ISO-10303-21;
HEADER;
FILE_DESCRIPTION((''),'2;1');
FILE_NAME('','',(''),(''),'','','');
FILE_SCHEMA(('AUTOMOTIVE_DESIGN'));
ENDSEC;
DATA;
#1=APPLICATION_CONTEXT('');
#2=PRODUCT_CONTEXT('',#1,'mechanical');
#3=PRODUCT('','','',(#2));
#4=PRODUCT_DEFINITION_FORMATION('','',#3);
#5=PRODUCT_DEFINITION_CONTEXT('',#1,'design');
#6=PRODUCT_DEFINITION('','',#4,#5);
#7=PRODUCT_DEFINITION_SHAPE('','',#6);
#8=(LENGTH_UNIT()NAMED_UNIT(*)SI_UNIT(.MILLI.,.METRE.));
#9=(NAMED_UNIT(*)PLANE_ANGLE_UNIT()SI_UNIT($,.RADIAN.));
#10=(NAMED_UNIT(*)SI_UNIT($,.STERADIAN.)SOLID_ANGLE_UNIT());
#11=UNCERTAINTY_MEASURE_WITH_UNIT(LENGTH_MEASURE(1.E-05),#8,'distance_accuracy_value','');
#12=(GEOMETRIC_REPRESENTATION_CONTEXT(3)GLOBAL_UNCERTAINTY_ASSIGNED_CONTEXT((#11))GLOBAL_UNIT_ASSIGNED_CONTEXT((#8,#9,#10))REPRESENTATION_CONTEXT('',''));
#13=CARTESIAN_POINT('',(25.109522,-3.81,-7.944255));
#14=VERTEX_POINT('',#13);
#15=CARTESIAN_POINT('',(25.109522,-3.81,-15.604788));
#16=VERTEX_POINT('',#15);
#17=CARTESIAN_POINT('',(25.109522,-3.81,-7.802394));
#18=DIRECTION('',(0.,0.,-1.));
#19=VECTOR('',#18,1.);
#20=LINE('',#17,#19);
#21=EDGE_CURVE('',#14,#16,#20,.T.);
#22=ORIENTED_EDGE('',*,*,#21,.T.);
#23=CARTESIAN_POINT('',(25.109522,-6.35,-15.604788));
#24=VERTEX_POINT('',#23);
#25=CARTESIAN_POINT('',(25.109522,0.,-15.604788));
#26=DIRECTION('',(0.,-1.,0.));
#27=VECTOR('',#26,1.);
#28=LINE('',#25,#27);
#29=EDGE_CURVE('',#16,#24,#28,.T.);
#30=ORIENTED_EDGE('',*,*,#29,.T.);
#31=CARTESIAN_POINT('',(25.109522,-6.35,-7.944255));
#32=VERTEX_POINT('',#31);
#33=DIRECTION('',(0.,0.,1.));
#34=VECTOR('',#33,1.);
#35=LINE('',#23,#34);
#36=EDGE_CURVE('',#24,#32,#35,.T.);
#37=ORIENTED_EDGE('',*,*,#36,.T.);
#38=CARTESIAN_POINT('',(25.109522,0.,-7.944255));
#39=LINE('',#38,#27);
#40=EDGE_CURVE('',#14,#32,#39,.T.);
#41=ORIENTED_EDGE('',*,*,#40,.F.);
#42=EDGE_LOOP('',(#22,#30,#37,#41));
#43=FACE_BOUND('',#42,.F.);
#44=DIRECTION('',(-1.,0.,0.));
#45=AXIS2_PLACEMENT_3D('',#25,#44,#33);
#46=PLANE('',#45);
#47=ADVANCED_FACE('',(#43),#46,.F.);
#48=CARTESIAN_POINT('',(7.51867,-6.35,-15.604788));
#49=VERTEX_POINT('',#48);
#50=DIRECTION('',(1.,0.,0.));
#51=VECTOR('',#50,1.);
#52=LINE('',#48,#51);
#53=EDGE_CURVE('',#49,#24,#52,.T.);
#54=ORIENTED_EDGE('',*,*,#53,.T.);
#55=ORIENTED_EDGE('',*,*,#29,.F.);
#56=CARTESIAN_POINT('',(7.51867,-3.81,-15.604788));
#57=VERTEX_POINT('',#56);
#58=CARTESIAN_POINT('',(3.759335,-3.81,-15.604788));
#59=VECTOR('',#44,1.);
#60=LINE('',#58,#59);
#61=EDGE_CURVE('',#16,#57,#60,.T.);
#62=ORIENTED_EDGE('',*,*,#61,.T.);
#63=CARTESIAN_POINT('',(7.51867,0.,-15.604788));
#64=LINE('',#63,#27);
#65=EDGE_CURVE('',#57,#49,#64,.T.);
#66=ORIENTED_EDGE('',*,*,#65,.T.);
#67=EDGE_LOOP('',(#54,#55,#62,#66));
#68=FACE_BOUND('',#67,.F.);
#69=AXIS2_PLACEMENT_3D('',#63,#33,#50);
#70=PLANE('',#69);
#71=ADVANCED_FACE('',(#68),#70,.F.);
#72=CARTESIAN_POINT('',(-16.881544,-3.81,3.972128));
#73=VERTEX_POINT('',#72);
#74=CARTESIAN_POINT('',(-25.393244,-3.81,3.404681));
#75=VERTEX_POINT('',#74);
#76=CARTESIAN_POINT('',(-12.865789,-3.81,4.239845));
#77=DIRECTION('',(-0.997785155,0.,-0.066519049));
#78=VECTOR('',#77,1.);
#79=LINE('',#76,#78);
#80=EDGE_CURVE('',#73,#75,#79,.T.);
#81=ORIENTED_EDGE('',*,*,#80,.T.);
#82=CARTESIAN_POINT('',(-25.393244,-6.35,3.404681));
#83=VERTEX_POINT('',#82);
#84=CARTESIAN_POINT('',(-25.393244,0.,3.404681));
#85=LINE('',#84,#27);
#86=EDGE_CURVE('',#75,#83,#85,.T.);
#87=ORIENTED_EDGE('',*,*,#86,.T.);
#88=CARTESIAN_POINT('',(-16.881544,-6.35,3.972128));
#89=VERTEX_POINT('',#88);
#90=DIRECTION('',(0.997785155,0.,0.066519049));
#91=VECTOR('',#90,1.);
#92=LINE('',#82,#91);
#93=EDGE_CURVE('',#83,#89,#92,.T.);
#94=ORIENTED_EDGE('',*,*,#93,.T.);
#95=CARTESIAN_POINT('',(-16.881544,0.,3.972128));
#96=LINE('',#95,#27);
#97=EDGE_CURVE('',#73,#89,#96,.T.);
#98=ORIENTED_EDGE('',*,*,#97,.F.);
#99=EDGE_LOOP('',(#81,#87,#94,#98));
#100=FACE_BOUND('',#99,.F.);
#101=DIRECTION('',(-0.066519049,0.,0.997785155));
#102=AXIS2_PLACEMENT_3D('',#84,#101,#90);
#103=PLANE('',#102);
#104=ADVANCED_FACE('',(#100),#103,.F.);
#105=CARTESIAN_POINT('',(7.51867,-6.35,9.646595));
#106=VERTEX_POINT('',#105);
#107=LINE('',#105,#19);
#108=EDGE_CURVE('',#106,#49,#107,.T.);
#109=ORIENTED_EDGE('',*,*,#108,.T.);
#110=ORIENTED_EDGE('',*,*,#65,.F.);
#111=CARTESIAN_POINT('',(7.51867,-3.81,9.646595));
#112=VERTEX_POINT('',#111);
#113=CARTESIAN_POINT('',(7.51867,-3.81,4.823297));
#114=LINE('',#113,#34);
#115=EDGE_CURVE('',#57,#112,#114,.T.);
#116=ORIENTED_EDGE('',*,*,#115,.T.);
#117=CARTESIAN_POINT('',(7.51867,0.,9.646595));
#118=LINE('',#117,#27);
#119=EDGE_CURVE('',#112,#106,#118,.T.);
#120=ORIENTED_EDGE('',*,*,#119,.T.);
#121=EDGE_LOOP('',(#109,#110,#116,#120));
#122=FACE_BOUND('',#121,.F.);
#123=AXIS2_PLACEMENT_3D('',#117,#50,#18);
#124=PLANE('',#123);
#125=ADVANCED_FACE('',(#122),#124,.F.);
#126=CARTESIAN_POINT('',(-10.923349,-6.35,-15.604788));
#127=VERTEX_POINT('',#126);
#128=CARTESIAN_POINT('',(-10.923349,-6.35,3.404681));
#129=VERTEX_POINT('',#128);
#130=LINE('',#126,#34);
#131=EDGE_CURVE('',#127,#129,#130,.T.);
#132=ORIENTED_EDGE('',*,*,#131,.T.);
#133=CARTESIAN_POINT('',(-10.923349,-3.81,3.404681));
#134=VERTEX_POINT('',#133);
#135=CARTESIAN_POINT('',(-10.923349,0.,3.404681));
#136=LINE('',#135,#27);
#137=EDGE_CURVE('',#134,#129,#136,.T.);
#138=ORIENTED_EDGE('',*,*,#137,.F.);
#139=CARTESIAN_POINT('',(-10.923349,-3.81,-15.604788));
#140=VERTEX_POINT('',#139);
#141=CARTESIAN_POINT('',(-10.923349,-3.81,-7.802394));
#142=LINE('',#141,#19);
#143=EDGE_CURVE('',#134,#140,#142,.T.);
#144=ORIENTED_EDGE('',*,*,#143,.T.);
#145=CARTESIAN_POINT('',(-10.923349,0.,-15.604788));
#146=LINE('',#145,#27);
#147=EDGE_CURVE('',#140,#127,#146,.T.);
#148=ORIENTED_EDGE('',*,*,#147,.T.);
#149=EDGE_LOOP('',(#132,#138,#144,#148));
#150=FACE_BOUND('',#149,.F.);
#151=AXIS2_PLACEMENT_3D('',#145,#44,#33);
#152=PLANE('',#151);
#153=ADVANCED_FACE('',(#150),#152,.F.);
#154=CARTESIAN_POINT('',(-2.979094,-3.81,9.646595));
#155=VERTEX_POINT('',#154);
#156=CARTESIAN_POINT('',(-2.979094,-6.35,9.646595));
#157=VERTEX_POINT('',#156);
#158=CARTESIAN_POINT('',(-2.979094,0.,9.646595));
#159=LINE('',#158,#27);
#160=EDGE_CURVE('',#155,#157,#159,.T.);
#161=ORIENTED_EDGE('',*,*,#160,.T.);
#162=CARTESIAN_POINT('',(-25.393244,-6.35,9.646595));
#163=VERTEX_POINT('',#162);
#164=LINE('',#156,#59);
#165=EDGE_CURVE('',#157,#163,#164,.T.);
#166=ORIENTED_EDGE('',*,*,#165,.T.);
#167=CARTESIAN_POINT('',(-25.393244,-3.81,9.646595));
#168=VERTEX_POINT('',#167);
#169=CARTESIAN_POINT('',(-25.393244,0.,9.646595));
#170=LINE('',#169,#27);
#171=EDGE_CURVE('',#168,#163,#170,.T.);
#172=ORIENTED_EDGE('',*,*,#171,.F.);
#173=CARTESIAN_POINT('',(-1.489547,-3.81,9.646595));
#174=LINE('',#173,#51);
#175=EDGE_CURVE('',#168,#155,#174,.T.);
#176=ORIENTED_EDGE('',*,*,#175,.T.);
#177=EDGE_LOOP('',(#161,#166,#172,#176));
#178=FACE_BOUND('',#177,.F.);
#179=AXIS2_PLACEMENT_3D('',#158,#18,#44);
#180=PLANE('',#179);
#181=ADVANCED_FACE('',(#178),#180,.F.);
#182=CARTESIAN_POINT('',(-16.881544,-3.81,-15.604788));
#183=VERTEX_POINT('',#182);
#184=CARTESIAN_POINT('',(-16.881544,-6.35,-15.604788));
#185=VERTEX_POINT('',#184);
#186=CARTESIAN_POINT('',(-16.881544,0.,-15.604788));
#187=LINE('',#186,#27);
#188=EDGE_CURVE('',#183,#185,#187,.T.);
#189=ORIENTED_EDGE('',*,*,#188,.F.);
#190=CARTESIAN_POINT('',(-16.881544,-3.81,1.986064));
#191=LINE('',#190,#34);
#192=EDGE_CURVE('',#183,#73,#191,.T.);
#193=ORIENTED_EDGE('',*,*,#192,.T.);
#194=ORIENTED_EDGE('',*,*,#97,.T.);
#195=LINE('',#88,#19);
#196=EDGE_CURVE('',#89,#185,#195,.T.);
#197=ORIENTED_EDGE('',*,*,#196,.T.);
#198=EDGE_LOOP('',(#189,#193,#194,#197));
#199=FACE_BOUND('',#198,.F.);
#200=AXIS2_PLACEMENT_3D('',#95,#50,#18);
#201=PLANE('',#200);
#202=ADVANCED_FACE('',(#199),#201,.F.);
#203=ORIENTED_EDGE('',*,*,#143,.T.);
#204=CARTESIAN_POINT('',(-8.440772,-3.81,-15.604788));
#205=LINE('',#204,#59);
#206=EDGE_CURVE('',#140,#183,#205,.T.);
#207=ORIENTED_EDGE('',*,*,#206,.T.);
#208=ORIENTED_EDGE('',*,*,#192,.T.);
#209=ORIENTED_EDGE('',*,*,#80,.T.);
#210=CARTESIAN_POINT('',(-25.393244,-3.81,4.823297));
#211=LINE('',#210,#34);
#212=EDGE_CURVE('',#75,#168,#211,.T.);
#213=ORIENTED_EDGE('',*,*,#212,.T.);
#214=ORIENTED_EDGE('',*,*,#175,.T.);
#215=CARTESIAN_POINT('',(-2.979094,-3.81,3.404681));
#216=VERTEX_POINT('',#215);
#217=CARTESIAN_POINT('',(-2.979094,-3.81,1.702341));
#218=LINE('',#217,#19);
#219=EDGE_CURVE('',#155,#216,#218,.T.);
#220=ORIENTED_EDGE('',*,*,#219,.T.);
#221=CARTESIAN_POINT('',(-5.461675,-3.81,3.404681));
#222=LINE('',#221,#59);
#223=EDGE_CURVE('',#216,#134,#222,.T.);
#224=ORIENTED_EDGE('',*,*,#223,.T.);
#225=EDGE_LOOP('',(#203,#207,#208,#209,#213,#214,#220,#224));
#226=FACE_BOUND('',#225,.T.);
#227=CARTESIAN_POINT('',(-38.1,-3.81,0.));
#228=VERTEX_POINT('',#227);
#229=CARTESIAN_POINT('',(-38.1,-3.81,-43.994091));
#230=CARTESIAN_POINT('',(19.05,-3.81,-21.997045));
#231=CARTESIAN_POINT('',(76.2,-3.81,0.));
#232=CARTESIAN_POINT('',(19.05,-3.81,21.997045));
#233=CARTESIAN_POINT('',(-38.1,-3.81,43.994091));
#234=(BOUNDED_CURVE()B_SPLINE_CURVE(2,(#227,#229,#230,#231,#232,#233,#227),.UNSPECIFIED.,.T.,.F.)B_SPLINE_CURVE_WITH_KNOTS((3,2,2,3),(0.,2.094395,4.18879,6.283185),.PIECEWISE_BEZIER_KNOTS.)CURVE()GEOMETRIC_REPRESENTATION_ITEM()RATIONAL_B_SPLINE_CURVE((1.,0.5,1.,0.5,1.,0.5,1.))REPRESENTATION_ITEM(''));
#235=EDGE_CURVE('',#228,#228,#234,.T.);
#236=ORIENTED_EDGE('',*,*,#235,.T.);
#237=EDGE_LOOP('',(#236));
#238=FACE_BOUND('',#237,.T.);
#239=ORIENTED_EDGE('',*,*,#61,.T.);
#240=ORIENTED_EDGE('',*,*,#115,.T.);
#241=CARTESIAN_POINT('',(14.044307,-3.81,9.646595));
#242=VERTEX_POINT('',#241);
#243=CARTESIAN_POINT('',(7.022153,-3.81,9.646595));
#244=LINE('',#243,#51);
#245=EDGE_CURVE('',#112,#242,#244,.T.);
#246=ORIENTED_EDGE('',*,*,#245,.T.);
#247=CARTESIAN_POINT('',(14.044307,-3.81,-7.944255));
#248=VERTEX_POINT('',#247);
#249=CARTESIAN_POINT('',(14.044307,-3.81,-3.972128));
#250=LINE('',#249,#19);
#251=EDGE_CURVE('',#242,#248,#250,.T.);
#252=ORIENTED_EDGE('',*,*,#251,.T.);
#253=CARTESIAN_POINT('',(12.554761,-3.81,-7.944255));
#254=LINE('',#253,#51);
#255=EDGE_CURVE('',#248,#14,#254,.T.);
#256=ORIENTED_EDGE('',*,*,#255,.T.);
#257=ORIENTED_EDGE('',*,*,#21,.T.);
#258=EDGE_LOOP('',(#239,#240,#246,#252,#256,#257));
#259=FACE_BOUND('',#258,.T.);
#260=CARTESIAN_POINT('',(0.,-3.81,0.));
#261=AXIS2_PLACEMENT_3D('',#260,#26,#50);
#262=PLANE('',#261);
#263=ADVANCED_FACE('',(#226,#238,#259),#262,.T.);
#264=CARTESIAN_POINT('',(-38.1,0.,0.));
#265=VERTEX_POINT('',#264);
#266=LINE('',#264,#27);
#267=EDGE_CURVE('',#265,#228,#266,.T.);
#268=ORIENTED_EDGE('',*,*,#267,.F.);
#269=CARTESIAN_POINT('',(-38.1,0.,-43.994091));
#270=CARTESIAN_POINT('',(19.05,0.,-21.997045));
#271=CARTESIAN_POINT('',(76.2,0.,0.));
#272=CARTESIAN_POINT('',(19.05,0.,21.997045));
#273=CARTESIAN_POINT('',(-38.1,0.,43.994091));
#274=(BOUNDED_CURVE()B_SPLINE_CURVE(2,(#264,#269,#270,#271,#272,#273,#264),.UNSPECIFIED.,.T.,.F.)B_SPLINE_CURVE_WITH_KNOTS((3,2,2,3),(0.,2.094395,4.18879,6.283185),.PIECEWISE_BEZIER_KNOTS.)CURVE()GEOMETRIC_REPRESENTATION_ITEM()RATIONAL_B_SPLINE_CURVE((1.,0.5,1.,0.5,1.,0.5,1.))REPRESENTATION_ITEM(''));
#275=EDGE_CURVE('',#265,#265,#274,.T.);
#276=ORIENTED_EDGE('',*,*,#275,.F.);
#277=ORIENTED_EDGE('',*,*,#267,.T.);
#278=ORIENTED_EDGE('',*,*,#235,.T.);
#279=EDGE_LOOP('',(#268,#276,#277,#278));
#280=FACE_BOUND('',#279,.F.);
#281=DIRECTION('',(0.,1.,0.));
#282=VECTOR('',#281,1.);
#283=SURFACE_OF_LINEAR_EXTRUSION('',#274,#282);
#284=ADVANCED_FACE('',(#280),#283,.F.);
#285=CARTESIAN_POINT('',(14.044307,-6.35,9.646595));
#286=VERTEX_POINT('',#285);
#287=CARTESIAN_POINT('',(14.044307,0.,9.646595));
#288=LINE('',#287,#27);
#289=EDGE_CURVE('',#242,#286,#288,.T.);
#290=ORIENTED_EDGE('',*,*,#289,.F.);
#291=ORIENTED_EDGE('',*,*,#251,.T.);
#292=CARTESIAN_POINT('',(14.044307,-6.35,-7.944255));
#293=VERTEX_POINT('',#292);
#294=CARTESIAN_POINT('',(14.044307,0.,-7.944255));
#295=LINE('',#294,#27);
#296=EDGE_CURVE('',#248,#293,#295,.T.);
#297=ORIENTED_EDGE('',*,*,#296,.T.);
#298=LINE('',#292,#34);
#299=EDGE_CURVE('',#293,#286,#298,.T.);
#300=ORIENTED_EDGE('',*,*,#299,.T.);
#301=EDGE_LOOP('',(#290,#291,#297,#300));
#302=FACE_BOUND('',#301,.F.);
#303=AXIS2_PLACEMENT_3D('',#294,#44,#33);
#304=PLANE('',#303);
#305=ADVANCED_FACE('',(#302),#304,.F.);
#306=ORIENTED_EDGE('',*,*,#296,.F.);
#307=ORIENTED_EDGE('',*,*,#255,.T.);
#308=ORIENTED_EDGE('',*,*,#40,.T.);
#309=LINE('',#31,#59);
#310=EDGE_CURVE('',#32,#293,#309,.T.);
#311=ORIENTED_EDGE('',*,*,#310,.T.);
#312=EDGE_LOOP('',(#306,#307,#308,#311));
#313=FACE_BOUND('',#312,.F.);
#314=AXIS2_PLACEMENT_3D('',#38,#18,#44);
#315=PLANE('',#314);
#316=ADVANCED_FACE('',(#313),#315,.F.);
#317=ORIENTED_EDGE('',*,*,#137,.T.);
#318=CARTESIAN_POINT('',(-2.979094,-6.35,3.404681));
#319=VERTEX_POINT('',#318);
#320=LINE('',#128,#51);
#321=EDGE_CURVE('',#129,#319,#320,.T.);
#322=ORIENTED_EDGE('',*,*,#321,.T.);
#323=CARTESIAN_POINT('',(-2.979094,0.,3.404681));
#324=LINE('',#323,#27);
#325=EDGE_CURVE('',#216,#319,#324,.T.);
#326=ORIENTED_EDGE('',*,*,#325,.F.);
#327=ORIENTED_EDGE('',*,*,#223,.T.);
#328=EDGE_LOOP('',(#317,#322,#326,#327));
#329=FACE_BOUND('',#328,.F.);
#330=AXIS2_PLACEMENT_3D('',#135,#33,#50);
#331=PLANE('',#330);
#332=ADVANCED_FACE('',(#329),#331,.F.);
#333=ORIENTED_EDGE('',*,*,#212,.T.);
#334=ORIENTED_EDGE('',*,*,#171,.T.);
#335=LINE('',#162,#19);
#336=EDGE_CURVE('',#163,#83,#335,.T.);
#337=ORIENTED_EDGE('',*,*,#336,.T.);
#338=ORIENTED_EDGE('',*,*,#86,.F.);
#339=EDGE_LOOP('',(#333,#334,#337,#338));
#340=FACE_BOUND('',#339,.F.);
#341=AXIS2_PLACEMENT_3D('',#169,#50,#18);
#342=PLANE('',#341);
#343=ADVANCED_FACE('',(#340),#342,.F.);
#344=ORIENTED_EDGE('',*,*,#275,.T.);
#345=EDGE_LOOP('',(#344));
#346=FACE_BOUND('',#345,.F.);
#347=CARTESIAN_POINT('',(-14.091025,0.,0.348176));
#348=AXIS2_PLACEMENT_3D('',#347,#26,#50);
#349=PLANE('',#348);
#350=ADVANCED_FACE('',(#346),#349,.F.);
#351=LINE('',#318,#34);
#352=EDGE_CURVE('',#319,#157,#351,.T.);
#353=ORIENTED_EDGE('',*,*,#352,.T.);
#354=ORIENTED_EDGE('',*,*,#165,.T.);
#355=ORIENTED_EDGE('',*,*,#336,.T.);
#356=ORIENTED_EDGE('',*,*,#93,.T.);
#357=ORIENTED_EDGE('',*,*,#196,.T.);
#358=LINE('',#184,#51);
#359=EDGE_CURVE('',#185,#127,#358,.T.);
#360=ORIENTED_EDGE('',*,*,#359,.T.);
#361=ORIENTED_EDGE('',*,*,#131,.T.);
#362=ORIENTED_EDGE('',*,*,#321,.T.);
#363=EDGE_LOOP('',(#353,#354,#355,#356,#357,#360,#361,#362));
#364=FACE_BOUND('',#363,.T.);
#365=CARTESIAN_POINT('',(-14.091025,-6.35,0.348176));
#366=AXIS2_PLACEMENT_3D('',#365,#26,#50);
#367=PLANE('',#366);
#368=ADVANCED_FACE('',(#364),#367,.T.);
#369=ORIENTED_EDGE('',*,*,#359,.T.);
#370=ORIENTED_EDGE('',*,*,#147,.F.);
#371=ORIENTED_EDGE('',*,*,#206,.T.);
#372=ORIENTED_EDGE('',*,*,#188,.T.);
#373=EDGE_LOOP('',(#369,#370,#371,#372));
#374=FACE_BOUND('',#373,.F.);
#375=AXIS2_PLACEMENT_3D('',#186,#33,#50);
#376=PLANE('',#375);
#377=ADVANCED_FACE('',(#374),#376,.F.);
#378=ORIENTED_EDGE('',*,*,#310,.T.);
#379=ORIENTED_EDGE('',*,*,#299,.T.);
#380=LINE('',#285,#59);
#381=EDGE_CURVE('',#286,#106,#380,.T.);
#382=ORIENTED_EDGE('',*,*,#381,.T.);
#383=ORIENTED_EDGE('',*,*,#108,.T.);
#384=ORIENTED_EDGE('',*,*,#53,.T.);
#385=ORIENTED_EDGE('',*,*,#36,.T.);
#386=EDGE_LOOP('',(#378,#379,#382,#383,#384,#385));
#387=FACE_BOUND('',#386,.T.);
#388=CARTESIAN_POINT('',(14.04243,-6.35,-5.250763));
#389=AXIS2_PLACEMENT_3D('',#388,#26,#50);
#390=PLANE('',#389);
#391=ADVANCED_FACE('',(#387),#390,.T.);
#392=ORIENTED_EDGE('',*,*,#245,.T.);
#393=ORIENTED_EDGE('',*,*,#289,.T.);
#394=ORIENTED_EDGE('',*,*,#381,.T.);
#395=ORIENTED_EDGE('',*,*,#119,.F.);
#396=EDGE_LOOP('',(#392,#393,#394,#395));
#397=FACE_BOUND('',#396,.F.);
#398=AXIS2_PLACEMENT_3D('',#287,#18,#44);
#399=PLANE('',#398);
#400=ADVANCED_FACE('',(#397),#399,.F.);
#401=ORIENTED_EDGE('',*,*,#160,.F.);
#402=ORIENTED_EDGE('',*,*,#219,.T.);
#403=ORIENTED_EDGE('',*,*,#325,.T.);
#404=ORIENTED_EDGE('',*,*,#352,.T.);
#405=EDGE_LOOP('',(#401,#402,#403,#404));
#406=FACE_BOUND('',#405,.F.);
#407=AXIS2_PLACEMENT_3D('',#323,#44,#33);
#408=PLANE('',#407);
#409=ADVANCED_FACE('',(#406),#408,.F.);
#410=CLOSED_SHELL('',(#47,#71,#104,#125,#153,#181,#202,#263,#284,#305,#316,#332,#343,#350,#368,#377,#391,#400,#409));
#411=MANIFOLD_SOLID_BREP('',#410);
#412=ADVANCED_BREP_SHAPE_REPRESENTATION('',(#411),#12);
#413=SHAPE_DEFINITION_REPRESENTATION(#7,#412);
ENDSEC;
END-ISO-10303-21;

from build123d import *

# Parameters (mm, degrees)
F1_DEPTH = 3.81
F3_DEPTH = 6.35


with BuildPart() as f1:
    # F0 (on Front) → F1 (new body)
    with BuildSketch(Plane.XZ):
        with BuildLine():
            add(Edge.make_bspline(
                [(-38.1, 0), (-38.1, -43.994091), (19.05, -21.997045), (76.2, 0), (19.05, 21.997045), (-38.1, 43.994091), (-38.1, 0)],
                knots=[0, 0, 0, 2.094395, 2.094395, 4.18879, 4.18879, 6.283185, 6.283185, 6.283185], degree=2, weights=[1, 0.5, 1, 0.5, 1, 0.5, 1]))
        make_face()
    extrude(amount=F1_DEPTH)

    # F2 (on Front) → F3 (join)
    with BuildSketch(Plane.XZ):
        Polygon((-25.393244, 3.404681), (-16.881544, 3.972128), (-16.881544, -15.604788), (-10.923349, -15.604788), (-10.923349, 3.404681), (-2.979094, 3.404681), (-2.979094, 9.646595), (-25.393244, 9.646595), align=None)
        Polygon((14.044307, 9.646595), (7.51867, 9.646595), (7.51867, -15.604788), (25.109522, -15.604788), (25.109522, -7.944255), (14.044307, -7.944255), align=None)
    extrude(amount=F3_DEPTH)


solid = f1.part
